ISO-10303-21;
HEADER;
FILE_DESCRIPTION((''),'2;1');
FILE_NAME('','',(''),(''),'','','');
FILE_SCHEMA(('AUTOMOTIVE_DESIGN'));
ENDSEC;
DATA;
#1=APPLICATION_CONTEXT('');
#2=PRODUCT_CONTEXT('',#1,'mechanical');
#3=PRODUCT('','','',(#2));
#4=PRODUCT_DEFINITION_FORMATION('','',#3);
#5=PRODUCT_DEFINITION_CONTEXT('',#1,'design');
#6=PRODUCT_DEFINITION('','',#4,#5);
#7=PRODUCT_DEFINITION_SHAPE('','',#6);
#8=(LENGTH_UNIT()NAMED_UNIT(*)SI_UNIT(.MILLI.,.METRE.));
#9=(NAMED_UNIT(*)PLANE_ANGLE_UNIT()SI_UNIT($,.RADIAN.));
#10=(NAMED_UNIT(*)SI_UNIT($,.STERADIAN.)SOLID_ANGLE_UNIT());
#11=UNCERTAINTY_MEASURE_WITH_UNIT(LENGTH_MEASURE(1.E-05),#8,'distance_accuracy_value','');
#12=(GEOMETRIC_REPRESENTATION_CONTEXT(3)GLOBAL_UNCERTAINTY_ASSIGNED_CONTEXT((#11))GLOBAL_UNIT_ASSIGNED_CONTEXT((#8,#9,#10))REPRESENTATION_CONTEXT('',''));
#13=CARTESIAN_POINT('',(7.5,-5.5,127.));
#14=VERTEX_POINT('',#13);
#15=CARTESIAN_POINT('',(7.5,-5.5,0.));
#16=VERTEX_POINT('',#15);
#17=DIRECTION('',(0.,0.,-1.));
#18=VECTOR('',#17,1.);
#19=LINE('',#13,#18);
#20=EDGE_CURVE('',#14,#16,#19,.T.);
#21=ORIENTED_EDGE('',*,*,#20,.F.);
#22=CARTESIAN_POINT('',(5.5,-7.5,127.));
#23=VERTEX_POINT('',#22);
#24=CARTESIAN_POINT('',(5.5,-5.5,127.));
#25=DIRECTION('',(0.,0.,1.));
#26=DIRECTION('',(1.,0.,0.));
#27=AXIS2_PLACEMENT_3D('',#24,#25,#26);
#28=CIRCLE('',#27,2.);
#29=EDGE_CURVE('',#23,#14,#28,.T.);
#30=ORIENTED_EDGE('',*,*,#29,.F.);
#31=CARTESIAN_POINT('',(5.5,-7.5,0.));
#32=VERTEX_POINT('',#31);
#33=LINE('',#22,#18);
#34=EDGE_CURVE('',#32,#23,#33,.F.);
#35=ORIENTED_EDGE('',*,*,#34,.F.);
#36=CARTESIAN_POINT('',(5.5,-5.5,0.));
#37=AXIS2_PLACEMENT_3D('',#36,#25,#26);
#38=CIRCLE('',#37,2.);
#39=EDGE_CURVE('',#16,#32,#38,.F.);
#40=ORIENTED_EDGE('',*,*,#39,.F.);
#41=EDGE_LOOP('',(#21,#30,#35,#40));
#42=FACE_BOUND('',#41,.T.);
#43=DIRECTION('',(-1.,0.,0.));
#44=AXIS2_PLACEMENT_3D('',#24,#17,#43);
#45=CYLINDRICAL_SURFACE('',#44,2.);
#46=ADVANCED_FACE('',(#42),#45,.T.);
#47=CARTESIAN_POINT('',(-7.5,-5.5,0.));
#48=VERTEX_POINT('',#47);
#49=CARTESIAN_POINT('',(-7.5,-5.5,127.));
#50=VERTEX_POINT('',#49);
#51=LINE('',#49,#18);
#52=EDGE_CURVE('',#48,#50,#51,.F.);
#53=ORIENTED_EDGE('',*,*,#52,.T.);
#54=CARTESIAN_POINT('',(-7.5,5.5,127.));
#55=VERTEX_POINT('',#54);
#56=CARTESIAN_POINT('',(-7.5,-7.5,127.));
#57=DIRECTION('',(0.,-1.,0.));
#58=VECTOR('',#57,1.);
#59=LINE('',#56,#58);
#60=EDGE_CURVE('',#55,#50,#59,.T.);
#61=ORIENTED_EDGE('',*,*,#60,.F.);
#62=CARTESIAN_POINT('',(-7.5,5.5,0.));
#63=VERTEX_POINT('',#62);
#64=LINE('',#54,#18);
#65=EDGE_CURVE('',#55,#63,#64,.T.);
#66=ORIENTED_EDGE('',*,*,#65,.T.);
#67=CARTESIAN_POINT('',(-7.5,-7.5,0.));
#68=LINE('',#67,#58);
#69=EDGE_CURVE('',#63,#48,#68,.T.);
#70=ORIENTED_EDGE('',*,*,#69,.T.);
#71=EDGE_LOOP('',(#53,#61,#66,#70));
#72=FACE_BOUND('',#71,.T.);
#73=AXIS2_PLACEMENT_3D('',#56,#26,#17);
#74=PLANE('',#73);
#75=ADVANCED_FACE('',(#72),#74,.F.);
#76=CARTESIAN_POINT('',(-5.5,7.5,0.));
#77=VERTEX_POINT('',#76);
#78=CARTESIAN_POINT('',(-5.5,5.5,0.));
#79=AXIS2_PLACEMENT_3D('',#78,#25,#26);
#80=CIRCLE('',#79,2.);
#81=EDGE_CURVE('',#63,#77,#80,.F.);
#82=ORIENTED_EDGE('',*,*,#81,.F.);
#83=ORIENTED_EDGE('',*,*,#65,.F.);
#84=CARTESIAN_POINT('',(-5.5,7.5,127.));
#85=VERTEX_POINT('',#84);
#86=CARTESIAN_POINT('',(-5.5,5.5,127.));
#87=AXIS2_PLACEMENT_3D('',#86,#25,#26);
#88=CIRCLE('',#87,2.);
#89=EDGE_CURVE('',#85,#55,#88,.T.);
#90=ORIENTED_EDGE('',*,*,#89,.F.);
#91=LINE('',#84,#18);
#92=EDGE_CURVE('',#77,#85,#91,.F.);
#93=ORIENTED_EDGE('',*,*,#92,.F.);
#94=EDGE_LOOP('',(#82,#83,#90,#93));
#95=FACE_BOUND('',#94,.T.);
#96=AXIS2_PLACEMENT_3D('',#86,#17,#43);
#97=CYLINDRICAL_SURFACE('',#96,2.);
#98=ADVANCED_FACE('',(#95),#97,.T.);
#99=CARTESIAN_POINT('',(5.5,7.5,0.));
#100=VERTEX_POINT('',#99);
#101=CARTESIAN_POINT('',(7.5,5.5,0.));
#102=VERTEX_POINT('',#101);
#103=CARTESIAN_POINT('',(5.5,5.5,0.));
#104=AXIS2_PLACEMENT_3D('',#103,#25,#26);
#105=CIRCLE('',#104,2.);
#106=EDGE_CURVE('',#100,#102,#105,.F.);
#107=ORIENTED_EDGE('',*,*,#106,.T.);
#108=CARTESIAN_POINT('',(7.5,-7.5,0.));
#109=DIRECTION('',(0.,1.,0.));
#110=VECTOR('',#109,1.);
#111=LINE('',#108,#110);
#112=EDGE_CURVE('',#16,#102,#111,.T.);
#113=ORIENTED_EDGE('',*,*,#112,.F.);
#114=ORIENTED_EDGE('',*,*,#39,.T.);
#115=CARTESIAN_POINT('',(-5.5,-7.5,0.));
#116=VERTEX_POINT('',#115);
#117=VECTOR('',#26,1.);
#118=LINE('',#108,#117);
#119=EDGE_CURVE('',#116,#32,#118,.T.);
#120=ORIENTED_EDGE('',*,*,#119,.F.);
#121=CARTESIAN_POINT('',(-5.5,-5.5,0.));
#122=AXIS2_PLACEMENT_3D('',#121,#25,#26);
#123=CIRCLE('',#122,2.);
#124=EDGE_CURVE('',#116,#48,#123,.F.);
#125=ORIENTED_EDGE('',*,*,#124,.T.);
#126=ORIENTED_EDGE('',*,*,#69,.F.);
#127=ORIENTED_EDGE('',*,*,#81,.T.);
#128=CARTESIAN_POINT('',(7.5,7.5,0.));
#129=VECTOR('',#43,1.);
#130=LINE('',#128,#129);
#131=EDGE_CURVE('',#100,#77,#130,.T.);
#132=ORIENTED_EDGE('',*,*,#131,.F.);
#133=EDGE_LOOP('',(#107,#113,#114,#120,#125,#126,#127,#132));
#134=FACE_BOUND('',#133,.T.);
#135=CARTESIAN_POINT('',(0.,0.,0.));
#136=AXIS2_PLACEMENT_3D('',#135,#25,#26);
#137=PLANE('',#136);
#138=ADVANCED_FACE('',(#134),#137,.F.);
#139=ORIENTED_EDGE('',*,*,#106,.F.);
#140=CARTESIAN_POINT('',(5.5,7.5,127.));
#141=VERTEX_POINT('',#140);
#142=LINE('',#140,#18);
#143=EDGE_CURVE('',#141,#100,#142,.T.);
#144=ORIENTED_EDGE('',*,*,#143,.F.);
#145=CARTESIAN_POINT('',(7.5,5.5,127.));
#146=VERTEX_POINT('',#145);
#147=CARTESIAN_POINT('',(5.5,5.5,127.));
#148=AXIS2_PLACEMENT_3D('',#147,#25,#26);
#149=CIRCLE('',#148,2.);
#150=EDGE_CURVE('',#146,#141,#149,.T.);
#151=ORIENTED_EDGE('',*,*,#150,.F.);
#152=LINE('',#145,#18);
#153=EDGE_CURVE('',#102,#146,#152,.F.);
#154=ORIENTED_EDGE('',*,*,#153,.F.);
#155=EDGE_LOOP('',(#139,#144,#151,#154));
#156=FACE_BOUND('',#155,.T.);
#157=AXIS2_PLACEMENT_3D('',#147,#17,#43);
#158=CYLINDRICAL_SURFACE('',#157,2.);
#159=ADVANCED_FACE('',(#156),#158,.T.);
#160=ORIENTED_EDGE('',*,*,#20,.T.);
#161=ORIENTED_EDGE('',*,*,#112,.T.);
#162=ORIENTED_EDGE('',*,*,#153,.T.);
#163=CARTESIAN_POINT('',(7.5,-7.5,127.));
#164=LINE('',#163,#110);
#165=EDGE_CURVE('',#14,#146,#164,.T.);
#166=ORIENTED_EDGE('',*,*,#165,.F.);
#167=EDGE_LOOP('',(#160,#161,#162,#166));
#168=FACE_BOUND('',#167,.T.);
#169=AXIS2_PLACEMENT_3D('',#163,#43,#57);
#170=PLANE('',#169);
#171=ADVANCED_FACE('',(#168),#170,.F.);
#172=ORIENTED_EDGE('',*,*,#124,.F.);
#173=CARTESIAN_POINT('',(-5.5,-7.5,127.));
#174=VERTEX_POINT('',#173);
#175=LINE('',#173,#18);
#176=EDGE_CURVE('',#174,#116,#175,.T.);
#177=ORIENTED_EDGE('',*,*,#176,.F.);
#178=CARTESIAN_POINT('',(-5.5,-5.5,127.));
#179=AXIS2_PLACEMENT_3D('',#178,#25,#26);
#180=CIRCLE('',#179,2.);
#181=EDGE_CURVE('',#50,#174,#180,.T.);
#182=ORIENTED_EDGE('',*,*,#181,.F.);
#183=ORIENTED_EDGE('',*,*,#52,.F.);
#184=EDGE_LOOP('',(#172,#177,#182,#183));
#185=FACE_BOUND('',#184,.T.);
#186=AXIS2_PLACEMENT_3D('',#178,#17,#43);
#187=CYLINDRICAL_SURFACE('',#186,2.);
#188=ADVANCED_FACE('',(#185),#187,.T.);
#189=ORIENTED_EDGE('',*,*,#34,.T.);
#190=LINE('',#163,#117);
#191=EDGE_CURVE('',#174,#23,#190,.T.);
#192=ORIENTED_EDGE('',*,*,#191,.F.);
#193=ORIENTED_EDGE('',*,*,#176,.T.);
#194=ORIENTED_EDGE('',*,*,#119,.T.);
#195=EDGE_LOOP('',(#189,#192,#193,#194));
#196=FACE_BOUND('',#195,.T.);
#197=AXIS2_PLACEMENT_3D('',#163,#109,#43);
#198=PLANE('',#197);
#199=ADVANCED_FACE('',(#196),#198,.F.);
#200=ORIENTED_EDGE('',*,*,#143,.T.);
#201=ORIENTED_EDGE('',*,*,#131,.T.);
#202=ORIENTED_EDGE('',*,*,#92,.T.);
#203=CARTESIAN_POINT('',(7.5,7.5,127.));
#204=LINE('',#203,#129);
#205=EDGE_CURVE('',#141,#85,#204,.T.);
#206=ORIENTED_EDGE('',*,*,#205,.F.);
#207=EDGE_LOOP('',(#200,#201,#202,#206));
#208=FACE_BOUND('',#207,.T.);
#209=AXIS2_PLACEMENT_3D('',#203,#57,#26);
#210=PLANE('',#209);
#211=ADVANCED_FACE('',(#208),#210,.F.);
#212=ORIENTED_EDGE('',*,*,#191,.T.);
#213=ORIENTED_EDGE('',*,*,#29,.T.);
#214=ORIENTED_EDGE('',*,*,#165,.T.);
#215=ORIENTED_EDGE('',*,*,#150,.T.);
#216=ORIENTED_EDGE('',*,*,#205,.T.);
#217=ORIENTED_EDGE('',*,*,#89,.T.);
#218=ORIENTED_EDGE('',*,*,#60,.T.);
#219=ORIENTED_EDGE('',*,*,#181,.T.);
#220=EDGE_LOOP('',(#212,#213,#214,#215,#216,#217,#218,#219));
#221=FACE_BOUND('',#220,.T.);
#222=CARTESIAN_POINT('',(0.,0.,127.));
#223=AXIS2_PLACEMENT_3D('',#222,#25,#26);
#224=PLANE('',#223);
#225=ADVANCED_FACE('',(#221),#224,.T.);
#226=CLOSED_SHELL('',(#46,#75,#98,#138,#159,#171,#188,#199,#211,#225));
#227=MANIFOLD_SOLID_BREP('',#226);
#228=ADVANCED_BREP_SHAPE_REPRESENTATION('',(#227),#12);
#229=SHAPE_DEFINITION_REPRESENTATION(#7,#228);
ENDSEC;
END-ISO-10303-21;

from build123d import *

# Parameters (mm, degrees)
SKETCH1_W           = 15
SKETCH1_H           = 15
BOSS_EXTRUDE1_DEPTH = 127
FILLET1_R           = 2


with BuildPart() as part:
    # Sketch1 → Boss-Extrude1 (new body)
    with BuildSketch(Plane.XY):
        Rectangle(SKETCH1_W, SKETCH1_H)
    extrude(amount=BOSS_EXTRUDE1_DEPTH)

    # Fillet1
    fillet1_edges = [part.edges().sort_by_distance(p)[0] for p in [
        (-7.5, 7.5, 63.5),
        (7.5, 7.5, 63.5),
        (7.5, -7.5, 63.5),
        (-7.5, -7.5, 63.5),
    ]]
    fillet(fillet1_edges, radius=FILLET1_R)


solid = part.part
